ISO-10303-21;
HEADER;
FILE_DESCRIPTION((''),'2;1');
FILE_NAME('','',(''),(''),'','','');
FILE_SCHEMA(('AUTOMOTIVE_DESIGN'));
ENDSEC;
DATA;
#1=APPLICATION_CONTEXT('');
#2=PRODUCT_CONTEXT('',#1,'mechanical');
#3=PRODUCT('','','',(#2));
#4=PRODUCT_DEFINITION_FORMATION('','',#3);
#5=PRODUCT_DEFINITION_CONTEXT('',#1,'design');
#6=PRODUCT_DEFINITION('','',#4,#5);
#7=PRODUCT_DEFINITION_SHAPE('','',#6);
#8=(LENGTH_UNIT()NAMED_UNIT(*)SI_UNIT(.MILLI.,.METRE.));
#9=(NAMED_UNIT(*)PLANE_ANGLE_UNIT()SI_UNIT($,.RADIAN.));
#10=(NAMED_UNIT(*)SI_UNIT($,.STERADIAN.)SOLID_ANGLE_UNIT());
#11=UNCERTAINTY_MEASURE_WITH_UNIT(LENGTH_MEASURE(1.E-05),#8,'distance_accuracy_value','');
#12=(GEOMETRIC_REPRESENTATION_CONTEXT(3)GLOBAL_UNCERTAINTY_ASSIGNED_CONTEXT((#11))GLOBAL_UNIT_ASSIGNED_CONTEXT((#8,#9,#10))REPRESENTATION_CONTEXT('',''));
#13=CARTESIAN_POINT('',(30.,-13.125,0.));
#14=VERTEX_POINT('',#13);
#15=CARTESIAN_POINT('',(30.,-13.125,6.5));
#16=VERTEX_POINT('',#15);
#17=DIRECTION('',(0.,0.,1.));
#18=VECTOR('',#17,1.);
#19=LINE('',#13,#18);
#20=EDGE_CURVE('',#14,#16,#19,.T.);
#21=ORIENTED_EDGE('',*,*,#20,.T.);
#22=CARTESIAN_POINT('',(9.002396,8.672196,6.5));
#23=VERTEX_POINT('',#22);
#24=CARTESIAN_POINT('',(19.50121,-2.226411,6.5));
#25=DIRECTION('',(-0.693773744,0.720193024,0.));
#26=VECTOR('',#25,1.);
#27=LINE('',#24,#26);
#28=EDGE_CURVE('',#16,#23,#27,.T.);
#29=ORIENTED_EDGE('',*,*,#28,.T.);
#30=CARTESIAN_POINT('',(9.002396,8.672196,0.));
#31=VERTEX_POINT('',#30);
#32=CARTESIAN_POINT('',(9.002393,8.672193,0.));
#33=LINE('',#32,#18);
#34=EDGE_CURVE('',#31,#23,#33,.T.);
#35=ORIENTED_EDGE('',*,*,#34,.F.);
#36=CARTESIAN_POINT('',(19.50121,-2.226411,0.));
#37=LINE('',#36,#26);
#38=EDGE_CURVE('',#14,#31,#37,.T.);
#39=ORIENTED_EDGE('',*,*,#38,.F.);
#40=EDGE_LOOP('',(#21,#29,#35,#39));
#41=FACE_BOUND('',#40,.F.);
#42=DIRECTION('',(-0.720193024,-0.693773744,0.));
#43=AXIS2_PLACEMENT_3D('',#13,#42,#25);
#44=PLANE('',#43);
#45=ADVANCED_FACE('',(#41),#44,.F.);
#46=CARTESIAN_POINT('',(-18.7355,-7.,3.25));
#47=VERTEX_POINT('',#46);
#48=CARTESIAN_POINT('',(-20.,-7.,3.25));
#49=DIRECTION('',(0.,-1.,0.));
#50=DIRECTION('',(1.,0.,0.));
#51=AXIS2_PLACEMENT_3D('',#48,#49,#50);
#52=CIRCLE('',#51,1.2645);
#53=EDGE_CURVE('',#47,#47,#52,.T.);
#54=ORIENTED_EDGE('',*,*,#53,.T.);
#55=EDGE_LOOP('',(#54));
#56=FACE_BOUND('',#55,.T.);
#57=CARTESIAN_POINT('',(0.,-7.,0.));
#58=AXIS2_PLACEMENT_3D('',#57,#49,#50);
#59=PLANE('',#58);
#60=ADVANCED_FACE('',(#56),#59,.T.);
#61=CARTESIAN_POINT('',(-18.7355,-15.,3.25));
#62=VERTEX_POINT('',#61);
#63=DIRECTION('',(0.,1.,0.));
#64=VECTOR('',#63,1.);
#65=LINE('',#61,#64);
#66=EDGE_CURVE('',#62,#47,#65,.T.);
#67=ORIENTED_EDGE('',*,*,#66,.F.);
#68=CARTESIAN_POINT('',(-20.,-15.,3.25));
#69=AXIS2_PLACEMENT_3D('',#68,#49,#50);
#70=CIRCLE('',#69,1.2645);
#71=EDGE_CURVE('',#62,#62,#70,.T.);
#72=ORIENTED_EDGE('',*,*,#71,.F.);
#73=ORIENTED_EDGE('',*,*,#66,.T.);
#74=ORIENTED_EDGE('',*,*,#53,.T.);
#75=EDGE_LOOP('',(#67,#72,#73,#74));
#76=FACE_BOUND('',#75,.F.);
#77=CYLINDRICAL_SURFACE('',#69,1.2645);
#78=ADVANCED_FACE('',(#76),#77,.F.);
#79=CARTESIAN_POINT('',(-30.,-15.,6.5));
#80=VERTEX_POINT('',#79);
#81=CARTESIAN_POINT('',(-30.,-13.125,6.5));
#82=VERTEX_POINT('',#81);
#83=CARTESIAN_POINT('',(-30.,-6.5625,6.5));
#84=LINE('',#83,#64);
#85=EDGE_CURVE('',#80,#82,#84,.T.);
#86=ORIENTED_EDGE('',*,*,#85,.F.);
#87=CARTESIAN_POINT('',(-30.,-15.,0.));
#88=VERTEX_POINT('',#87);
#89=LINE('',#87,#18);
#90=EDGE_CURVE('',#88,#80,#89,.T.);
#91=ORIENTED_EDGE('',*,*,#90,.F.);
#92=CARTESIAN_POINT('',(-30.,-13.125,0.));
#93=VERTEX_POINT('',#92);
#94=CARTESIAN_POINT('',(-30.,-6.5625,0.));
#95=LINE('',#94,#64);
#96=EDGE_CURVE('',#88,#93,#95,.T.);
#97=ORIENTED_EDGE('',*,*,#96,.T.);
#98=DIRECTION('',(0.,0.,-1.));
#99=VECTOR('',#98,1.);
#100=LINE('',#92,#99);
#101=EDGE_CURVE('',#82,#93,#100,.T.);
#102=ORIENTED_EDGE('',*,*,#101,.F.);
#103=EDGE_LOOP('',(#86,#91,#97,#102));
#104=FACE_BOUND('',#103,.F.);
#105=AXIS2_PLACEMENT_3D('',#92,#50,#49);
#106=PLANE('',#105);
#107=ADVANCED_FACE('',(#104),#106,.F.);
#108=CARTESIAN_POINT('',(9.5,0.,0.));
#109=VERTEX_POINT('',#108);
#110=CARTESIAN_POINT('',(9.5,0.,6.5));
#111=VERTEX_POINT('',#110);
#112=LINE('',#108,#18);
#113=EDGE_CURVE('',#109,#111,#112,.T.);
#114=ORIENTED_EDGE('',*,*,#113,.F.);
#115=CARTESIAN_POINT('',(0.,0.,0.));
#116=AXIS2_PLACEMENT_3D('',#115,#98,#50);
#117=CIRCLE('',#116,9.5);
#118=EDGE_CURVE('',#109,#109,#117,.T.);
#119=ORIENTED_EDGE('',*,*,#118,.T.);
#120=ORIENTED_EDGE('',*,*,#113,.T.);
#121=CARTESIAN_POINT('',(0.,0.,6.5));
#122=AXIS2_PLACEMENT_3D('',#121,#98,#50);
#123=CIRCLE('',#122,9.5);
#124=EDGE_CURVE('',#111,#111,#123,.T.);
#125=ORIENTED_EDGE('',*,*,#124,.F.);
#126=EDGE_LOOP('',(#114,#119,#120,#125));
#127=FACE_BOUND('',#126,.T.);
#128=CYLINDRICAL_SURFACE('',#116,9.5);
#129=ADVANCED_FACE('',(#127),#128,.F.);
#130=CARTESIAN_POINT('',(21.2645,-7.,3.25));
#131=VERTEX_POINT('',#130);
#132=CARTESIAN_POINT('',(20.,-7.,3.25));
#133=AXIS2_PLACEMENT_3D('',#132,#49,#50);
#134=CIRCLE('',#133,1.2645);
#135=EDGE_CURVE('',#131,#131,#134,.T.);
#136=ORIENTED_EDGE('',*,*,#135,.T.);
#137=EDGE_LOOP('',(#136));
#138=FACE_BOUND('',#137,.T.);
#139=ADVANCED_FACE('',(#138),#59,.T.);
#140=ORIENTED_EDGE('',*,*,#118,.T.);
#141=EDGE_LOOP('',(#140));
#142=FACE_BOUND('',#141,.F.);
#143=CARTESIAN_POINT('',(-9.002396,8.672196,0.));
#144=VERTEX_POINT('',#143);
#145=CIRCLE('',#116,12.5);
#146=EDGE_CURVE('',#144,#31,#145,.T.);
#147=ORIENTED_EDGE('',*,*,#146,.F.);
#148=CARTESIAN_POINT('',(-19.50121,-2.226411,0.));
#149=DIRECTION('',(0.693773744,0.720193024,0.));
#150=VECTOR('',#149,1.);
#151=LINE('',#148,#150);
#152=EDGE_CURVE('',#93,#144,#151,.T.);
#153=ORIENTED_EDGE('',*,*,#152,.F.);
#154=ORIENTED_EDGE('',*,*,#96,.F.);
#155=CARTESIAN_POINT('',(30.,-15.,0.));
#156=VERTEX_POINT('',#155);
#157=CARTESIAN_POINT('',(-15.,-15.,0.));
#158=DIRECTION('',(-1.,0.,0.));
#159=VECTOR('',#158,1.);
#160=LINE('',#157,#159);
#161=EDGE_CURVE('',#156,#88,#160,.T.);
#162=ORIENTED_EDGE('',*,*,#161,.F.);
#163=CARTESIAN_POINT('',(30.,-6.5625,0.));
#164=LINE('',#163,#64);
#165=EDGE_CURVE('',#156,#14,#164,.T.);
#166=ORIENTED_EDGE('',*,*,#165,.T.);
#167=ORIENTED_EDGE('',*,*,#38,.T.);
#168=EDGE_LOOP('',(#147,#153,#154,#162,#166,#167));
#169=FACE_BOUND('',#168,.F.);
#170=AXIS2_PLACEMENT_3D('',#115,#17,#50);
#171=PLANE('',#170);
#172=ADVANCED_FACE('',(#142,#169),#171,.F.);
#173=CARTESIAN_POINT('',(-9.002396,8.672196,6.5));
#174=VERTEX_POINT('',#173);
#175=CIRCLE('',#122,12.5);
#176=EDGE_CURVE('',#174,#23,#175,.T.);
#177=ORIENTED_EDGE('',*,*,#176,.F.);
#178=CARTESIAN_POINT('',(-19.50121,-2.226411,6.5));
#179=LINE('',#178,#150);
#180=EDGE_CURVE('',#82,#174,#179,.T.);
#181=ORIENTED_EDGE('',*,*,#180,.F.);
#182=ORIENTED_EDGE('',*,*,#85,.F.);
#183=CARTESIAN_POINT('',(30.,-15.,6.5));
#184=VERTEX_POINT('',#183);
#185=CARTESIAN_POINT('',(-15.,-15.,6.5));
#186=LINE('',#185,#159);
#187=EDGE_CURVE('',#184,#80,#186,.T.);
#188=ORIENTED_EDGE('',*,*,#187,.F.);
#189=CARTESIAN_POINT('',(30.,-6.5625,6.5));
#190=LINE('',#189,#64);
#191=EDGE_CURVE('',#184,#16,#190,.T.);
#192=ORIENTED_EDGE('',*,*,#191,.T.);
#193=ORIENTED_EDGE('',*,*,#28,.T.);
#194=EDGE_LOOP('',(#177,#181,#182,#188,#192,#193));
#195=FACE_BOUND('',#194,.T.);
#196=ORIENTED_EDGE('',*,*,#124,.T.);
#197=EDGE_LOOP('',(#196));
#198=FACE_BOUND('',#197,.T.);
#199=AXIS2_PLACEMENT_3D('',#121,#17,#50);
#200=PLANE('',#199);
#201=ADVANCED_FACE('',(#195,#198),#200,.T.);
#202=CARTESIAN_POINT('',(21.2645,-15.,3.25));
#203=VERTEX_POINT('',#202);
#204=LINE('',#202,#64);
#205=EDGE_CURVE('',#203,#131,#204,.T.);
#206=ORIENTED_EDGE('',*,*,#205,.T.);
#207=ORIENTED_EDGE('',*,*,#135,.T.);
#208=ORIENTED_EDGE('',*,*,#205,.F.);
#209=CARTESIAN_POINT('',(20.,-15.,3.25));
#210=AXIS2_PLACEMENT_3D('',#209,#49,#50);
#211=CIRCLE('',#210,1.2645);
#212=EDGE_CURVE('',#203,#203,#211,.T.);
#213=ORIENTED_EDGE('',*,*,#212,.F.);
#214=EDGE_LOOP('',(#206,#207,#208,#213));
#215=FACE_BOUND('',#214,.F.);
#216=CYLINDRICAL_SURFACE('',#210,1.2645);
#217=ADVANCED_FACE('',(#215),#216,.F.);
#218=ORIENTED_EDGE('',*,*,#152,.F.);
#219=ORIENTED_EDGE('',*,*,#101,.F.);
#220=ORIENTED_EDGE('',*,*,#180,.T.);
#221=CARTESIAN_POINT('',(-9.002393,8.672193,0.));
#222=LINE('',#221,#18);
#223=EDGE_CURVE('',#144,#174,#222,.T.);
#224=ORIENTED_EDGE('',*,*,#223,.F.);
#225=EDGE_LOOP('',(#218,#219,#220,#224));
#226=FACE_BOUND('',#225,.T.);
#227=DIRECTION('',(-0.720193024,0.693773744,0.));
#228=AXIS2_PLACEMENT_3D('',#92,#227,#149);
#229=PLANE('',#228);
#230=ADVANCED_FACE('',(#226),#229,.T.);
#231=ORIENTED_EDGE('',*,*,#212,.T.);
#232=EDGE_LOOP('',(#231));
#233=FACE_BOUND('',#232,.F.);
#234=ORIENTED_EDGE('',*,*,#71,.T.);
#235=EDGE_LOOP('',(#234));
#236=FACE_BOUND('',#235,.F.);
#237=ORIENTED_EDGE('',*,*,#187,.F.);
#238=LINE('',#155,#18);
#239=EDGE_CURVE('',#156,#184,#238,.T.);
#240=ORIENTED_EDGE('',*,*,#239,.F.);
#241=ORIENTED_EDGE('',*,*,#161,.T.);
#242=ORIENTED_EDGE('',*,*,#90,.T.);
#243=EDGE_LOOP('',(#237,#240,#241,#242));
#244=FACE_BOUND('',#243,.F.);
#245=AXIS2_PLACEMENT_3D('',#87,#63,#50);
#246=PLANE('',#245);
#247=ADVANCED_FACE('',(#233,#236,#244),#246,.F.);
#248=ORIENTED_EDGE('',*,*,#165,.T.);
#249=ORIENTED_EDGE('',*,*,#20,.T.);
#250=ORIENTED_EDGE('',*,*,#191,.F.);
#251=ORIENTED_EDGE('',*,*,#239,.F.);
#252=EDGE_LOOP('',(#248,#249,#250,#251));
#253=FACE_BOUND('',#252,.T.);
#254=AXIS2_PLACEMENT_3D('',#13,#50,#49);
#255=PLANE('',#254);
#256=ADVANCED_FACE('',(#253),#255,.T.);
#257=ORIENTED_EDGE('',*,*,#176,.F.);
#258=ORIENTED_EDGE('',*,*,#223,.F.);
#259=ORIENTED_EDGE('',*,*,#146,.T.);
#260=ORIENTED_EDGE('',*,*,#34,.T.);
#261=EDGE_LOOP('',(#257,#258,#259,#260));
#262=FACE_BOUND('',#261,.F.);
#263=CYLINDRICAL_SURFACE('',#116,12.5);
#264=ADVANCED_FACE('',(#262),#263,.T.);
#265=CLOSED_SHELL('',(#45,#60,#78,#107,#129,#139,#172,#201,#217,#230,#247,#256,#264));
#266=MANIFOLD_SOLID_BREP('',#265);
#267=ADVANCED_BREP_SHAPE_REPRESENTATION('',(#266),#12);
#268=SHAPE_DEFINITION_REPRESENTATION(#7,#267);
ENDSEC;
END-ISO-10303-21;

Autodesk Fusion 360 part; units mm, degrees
sketch "Esboço1" plane through (0, 0, 0) normal (0, 0, 1) x (1, 0, 0)
  circle A0 centre (0, 0) radius 9.5
  circle A1 centre (0, 0) radius 12.5
  line L0 (-30, 22.0941) -> (-30, -26.9412) construction
  line L1 (-41.3447, -13.125) -> (30, -13.125) construction
  line L2 (-30, -13.125) -> (-9.0024, 8.6722)
  line L3 (-30, -13.125) -> (-30, -15)
  line L4 (-30, -15) -> (0, -15)
  line L5 (0, 0) -> (0, -30) construction
  line L6 (30, -13.125) -> (9.0024, 8.6722)
  line L7 (30, -13.125) -> (30, -15)
  line L8 (30, -15) -> (0, -15)
  dimension "d1" = 25
  dimension "d2" = 19
  dimension "d3" = 30
  dimension "d4" = 13.125
  dimension "d6" = 1.875
extrude "Extrusão1" add sketch "Esboço1" along normal blind 6.5
sketch "Esboço2" plane through (0, -15, 0) normal (0, -1, 0) x (1, 0, 0)
  line L0 (-30, 0) -> (30, 0)
  line L1 (30, 0) -> (30, 6.5)
  line L2 (30, 6.5) -> (-30, 6.5)
  line L3 (-30, 6.5) -> (-30, 0)
  line L4 (0, 0) -> (0, 15) construction
  line L5 (-20, 3.25) -> (20, 3.25) construction
  circle A0 centre (-20, 3.25) radius 1.5
  circle A1 centre (20, 3.25) radius 1.5
  dimension "d9" = 20
  dimension "d10" = 20
  dimension "d11" = 3.25
  dimension "d12" = 3
extrude "Extrusão2" cut sketch "Esboço2" against normal blind 8 contours A0 | A1
thread "Rosca1" "ISO Metric profile 3.0 M3x0.5 6H" major diameter 3.086 minor diameter 2.529 pitch 0.5 angle 60 resizes the face on face at (21.4925, -9.6667, 3.1006) on face at (-18.5075, -9.6667, 3.1006)
